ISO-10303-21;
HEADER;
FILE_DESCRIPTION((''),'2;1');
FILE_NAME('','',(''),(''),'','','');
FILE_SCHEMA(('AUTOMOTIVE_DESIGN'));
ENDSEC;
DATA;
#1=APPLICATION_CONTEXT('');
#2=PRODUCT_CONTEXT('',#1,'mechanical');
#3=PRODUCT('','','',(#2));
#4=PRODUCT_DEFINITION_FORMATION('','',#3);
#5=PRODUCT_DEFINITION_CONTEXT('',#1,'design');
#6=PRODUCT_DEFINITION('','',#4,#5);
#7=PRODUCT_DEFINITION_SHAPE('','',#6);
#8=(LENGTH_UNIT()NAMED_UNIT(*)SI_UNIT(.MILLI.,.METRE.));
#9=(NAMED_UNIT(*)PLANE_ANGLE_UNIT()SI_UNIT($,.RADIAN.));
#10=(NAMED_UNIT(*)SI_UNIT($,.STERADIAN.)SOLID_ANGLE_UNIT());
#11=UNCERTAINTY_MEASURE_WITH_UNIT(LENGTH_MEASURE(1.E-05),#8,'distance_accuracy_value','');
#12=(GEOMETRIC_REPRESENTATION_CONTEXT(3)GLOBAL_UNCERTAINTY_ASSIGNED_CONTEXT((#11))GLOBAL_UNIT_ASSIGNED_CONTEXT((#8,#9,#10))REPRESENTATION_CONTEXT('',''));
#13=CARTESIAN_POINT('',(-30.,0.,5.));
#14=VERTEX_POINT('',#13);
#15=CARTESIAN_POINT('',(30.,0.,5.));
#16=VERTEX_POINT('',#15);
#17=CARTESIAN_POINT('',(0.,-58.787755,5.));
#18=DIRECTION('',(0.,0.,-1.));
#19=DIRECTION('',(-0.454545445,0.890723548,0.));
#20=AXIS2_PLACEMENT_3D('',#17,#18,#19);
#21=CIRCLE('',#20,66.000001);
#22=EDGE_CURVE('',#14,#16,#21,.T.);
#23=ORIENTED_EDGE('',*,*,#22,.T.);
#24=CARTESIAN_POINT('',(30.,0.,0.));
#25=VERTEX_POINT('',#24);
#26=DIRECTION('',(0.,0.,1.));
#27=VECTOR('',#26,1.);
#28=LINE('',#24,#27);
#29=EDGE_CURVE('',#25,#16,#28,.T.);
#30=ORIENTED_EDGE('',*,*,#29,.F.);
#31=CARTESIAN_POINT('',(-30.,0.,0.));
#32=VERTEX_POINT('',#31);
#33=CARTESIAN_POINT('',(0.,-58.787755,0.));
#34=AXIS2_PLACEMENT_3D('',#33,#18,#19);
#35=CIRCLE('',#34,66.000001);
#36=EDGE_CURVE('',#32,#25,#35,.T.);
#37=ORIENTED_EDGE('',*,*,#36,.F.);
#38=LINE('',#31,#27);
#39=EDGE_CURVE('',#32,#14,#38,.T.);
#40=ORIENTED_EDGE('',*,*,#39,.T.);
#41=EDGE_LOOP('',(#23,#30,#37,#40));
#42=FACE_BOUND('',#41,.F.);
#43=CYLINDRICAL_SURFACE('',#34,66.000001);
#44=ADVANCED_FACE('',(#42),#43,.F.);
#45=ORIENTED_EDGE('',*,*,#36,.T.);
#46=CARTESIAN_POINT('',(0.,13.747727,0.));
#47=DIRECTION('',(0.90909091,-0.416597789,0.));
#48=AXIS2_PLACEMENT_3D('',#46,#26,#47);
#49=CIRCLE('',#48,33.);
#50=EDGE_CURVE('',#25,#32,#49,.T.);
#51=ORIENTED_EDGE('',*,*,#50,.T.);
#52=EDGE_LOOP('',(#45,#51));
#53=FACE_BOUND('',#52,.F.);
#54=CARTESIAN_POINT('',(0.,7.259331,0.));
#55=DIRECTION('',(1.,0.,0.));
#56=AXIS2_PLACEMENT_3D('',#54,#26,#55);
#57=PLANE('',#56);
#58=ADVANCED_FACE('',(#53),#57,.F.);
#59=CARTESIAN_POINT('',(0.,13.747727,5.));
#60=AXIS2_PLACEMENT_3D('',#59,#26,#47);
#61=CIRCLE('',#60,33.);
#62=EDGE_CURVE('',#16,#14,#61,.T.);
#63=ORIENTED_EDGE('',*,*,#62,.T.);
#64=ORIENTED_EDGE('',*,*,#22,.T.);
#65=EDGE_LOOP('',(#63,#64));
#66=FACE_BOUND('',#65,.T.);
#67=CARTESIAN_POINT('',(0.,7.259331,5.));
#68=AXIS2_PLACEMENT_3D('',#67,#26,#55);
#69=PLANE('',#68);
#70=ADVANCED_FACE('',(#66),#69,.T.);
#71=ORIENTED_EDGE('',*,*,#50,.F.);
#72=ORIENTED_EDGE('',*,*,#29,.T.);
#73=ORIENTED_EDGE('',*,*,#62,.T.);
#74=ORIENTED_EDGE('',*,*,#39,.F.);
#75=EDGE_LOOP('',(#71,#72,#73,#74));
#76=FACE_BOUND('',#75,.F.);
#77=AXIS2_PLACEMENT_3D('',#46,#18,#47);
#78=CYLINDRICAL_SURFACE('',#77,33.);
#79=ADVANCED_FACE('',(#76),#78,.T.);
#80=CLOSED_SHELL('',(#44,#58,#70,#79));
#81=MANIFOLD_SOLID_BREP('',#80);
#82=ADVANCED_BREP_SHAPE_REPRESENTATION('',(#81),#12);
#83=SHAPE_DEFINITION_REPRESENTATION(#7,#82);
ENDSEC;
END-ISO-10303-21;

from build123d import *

# Parameters (mm, degrees)
F1_DEPTH = 5


with BuildPart() as f1:
    # F0 (on Top) → F1 (new body)
    with BuildSketch(Plane.XY):
        with BuildLine():
            ThreePointArc((-30, 0), (0, 7.212246), (30, 0))
            Line((30, 0), (30, 11))
            Line((30, 11), (-30, 11))
            Line((-30, 11), (-30, 0))
        make_face()
        with BuildLine():
            Line((30, 11), (30, 0))
            ThreePointArc((30, 0), (0, 46.747727), (-30, 0))
            Line((-30, 0), (-30, 11))
            Line((-30, 11), (30, 11))
        make_face()
    extrude(amount=F1_DEPTH)


solid = f1.part
